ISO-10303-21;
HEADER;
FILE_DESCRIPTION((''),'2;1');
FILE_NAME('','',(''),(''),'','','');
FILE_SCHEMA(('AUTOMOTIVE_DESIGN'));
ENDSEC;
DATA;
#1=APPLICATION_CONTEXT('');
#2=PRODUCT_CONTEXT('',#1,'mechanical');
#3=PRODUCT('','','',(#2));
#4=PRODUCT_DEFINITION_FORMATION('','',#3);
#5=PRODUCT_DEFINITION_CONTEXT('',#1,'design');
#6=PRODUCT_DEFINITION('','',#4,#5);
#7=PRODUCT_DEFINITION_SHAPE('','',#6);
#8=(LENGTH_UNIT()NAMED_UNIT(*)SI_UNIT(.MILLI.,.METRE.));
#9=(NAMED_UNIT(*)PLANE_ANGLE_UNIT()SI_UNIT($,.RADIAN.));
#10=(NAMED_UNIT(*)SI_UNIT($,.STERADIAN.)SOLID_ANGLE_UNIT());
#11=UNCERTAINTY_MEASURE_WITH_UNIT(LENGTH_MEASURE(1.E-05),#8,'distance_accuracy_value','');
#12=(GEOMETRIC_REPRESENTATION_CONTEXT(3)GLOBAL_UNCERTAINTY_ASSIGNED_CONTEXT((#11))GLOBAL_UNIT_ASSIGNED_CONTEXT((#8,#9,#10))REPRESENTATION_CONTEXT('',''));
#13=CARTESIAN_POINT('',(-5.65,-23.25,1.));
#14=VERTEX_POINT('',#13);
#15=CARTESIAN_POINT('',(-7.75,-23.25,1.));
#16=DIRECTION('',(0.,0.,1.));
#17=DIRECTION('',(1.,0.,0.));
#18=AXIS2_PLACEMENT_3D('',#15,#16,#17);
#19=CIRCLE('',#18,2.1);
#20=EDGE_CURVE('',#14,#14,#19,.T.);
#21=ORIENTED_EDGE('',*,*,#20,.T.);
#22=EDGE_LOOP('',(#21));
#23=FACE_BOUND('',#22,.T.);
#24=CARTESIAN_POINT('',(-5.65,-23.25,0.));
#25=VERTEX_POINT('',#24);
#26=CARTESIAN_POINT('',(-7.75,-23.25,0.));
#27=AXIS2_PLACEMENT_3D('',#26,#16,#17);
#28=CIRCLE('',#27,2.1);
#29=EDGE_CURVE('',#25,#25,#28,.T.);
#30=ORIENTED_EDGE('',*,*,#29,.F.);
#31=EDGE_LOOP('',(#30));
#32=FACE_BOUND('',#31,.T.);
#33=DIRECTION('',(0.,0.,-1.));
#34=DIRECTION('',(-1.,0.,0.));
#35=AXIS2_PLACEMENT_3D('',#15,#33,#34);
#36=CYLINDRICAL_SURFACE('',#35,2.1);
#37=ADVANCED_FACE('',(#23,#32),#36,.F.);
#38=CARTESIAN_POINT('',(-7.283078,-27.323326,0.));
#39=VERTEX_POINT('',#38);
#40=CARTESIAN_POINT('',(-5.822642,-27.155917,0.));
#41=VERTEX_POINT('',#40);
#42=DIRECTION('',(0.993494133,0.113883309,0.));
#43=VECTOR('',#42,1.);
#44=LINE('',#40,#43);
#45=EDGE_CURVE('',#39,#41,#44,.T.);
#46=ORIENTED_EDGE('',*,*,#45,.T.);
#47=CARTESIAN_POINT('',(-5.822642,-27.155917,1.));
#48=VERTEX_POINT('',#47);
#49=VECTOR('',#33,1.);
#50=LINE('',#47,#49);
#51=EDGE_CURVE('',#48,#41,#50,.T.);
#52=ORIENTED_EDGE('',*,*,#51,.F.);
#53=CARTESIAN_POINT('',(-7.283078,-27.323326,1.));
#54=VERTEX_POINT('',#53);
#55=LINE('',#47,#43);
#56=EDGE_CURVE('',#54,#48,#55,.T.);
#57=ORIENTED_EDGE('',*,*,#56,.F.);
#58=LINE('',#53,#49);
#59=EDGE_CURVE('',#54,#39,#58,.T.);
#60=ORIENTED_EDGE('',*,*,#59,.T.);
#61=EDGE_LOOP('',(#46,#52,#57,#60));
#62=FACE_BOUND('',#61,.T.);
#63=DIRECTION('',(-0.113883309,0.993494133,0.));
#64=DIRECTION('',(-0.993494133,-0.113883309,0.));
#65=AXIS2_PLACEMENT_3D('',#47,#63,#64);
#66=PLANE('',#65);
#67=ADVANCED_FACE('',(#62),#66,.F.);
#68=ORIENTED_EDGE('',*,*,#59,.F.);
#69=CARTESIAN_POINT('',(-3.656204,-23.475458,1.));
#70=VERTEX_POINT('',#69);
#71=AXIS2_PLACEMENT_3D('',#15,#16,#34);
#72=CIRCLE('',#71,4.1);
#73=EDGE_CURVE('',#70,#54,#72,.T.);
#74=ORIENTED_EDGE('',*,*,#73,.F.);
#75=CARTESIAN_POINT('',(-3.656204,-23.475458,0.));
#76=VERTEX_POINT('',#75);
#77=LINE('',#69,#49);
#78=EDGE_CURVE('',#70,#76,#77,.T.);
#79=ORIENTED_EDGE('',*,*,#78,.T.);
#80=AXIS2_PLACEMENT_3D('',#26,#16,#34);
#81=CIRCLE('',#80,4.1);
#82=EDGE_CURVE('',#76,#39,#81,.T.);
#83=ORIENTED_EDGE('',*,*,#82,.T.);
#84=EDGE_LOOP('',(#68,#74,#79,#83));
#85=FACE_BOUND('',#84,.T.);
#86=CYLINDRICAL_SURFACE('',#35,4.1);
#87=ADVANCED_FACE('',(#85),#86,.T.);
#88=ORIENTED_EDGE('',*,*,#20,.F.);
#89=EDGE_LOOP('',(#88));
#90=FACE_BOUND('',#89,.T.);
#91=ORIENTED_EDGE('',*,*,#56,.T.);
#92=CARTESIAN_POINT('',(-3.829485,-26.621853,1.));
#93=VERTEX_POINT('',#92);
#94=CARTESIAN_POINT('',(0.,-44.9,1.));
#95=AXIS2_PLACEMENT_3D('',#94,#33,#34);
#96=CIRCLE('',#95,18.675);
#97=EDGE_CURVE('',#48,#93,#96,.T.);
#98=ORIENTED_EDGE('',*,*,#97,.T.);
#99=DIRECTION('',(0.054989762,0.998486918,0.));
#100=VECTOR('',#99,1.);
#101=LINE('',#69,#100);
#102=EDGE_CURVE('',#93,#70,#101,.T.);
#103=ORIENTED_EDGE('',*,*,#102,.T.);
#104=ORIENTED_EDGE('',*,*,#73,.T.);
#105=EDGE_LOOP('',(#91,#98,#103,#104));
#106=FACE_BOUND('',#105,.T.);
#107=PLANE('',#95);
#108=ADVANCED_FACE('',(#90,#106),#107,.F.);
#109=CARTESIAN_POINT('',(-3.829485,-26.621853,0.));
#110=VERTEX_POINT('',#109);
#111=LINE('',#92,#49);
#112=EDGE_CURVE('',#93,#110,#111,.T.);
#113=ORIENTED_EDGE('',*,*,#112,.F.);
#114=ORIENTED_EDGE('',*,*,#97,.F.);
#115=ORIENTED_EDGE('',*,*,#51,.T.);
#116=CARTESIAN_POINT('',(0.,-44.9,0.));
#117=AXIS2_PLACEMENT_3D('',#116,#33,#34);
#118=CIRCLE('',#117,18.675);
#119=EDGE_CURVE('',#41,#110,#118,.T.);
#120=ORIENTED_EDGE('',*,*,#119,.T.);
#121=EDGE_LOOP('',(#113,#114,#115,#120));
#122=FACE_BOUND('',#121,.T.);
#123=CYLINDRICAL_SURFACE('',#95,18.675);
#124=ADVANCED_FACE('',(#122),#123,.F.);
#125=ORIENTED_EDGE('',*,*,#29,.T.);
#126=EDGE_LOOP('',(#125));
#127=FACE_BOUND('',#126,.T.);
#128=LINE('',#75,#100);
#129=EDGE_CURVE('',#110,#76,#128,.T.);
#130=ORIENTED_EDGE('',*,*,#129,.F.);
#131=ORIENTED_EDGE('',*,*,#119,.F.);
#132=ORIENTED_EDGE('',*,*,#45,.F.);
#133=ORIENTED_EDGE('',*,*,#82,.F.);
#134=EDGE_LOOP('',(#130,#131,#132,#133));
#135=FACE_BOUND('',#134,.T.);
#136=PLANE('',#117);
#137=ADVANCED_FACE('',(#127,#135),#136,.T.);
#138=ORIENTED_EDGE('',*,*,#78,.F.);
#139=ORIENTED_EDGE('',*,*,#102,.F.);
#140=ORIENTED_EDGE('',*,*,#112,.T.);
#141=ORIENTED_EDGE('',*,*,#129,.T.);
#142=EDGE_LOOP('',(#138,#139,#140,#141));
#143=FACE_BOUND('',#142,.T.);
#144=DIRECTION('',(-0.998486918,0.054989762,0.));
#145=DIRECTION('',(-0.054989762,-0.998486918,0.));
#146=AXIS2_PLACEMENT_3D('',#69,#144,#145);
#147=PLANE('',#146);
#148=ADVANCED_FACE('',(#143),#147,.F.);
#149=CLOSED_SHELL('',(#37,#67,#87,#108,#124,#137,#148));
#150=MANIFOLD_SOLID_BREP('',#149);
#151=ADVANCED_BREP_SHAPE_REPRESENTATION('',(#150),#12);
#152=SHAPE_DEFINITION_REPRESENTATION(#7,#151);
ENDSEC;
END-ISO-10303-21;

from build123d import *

# Parameters (mm, degrees)
SKETCH1_R           = 2.1
BOSS_EXTRUDE1_DEPTH = 1


with BuildPart() as part:
    # Sketch1 → Boss-Extrude1 (new body)
    with BuildSketch(Plane.XY):
        with BuildLine():
            Line((-5.822642058, -27.15591748), (-7.283078433, -27.323325945))
            ThreePointArc((-7.283078433, -27.323325945), (-10.733548038, -20.437804932), (-3.656203635, -23.475458024))
            Line((-3.656203635, -23.475458024), (-3.829485321, -26.621852742))
            ThreePointArc((-3.829485321, -26.621852742), (-4.833445667, -26.861335194), (-5.822642058, -27.15591748))
        make_face()
        with Locations((-7.75, -23.25)):
            Circle(SKETCH1_R, mode=Mode.SUBTRACT)
    extrude(amount=BOSS_EXTRUDE1_DEPTH)


solid = part.part
